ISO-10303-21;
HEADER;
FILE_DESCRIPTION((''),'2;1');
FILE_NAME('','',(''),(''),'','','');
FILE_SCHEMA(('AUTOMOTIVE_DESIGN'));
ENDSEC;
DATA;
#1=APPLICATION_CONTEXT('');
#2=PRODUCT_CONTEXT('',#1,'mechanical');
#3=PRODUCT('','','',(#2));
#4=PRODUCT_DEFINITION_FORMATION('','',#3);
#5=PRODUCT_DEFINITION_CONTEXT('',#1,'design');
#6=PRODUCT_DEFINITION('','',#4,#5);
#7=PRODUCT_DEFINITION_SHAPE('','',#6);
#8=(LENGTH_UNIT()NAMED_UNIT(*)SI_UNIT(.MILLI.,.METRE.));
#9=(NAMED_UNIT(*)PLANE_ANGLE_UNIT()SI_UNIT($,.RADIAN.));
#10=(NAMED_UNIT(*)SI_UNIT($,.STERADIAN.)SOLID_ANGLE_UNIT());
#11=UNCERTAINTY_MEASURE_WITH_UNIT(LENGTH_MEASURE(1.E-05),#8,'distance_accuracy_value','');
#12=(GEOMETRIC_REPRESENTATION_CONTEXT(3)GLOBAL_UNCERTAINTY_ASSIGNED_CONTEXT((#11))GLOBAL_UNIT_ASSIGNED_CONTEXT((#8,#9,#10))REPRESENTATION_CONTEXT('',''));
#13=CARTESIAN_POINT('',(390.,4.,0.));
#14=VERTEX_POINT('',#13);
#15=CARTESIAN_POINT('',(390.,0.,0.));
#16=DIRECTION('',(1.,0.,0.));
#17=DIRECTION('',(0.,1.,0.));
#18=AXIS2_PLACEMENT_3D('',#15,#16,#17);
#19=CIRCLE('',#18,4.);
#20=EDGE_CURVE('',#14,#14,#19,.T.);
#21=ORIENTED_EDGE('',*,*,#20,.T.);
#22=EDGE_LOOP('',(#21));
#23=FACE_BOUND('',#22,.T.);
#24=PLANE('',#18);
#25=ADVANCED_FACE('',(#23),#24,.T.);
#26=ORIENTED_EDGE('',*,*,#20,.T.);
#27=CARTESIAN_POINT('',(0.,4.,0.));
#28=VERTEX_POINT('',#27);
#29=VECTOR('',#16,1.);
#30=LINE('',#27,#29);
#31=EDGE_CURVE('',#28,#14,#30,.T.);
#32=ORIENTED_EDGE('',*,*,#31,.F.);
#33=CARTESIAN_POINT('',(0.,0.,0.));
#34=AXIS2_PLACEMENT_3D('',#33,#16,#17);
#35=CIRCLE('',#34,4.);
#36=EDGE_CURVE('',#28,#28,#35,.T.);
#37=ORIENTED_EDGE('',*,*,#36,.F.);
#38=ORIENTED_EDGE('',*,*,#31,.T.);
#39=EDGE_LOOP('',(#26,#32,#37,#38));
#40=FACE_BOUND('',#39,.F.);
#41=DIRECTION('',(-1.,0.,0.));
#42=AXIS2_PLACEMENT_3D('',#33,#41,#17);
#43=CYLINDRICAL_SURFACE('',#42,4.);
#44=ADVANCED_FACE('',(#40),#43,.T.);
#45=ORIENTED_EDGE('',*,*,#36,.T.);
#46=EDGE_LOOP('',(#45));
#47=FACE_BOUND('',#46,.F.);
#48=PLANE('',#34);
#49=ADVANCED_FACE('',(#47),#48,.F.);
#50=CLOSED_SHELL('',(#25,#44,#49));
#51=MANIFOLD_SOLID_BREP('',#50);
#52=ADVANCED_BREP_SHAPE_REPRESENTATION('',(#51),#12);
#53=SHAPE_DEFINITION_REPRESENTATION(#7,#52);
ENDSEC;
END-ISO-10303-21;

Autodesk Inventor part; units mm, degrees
ref_plane "YZ Plane" through (0, 0, 0) normal (1, 0, 0) x (0, 1, 0)
ref_plane "XZ Plane" through (0, 0, 0) normal (0, 1, 0) x (-1, 0, 0)
ref_plane "XY Plane" through (0, 0, 0) normal (0, 0, 1) x (1, 0, 0)
sketch "스케치1" plane through (0, 0, 0) normal (1, 0, 0) x (0, 1, 0)
  circle A0 centre (0, 0) radius 4
  dimension "d0" = 8
extrude "돌출1" add sketch "스케치1" along normal blind 390
properties part number "연마봉 8pi 470mm"
